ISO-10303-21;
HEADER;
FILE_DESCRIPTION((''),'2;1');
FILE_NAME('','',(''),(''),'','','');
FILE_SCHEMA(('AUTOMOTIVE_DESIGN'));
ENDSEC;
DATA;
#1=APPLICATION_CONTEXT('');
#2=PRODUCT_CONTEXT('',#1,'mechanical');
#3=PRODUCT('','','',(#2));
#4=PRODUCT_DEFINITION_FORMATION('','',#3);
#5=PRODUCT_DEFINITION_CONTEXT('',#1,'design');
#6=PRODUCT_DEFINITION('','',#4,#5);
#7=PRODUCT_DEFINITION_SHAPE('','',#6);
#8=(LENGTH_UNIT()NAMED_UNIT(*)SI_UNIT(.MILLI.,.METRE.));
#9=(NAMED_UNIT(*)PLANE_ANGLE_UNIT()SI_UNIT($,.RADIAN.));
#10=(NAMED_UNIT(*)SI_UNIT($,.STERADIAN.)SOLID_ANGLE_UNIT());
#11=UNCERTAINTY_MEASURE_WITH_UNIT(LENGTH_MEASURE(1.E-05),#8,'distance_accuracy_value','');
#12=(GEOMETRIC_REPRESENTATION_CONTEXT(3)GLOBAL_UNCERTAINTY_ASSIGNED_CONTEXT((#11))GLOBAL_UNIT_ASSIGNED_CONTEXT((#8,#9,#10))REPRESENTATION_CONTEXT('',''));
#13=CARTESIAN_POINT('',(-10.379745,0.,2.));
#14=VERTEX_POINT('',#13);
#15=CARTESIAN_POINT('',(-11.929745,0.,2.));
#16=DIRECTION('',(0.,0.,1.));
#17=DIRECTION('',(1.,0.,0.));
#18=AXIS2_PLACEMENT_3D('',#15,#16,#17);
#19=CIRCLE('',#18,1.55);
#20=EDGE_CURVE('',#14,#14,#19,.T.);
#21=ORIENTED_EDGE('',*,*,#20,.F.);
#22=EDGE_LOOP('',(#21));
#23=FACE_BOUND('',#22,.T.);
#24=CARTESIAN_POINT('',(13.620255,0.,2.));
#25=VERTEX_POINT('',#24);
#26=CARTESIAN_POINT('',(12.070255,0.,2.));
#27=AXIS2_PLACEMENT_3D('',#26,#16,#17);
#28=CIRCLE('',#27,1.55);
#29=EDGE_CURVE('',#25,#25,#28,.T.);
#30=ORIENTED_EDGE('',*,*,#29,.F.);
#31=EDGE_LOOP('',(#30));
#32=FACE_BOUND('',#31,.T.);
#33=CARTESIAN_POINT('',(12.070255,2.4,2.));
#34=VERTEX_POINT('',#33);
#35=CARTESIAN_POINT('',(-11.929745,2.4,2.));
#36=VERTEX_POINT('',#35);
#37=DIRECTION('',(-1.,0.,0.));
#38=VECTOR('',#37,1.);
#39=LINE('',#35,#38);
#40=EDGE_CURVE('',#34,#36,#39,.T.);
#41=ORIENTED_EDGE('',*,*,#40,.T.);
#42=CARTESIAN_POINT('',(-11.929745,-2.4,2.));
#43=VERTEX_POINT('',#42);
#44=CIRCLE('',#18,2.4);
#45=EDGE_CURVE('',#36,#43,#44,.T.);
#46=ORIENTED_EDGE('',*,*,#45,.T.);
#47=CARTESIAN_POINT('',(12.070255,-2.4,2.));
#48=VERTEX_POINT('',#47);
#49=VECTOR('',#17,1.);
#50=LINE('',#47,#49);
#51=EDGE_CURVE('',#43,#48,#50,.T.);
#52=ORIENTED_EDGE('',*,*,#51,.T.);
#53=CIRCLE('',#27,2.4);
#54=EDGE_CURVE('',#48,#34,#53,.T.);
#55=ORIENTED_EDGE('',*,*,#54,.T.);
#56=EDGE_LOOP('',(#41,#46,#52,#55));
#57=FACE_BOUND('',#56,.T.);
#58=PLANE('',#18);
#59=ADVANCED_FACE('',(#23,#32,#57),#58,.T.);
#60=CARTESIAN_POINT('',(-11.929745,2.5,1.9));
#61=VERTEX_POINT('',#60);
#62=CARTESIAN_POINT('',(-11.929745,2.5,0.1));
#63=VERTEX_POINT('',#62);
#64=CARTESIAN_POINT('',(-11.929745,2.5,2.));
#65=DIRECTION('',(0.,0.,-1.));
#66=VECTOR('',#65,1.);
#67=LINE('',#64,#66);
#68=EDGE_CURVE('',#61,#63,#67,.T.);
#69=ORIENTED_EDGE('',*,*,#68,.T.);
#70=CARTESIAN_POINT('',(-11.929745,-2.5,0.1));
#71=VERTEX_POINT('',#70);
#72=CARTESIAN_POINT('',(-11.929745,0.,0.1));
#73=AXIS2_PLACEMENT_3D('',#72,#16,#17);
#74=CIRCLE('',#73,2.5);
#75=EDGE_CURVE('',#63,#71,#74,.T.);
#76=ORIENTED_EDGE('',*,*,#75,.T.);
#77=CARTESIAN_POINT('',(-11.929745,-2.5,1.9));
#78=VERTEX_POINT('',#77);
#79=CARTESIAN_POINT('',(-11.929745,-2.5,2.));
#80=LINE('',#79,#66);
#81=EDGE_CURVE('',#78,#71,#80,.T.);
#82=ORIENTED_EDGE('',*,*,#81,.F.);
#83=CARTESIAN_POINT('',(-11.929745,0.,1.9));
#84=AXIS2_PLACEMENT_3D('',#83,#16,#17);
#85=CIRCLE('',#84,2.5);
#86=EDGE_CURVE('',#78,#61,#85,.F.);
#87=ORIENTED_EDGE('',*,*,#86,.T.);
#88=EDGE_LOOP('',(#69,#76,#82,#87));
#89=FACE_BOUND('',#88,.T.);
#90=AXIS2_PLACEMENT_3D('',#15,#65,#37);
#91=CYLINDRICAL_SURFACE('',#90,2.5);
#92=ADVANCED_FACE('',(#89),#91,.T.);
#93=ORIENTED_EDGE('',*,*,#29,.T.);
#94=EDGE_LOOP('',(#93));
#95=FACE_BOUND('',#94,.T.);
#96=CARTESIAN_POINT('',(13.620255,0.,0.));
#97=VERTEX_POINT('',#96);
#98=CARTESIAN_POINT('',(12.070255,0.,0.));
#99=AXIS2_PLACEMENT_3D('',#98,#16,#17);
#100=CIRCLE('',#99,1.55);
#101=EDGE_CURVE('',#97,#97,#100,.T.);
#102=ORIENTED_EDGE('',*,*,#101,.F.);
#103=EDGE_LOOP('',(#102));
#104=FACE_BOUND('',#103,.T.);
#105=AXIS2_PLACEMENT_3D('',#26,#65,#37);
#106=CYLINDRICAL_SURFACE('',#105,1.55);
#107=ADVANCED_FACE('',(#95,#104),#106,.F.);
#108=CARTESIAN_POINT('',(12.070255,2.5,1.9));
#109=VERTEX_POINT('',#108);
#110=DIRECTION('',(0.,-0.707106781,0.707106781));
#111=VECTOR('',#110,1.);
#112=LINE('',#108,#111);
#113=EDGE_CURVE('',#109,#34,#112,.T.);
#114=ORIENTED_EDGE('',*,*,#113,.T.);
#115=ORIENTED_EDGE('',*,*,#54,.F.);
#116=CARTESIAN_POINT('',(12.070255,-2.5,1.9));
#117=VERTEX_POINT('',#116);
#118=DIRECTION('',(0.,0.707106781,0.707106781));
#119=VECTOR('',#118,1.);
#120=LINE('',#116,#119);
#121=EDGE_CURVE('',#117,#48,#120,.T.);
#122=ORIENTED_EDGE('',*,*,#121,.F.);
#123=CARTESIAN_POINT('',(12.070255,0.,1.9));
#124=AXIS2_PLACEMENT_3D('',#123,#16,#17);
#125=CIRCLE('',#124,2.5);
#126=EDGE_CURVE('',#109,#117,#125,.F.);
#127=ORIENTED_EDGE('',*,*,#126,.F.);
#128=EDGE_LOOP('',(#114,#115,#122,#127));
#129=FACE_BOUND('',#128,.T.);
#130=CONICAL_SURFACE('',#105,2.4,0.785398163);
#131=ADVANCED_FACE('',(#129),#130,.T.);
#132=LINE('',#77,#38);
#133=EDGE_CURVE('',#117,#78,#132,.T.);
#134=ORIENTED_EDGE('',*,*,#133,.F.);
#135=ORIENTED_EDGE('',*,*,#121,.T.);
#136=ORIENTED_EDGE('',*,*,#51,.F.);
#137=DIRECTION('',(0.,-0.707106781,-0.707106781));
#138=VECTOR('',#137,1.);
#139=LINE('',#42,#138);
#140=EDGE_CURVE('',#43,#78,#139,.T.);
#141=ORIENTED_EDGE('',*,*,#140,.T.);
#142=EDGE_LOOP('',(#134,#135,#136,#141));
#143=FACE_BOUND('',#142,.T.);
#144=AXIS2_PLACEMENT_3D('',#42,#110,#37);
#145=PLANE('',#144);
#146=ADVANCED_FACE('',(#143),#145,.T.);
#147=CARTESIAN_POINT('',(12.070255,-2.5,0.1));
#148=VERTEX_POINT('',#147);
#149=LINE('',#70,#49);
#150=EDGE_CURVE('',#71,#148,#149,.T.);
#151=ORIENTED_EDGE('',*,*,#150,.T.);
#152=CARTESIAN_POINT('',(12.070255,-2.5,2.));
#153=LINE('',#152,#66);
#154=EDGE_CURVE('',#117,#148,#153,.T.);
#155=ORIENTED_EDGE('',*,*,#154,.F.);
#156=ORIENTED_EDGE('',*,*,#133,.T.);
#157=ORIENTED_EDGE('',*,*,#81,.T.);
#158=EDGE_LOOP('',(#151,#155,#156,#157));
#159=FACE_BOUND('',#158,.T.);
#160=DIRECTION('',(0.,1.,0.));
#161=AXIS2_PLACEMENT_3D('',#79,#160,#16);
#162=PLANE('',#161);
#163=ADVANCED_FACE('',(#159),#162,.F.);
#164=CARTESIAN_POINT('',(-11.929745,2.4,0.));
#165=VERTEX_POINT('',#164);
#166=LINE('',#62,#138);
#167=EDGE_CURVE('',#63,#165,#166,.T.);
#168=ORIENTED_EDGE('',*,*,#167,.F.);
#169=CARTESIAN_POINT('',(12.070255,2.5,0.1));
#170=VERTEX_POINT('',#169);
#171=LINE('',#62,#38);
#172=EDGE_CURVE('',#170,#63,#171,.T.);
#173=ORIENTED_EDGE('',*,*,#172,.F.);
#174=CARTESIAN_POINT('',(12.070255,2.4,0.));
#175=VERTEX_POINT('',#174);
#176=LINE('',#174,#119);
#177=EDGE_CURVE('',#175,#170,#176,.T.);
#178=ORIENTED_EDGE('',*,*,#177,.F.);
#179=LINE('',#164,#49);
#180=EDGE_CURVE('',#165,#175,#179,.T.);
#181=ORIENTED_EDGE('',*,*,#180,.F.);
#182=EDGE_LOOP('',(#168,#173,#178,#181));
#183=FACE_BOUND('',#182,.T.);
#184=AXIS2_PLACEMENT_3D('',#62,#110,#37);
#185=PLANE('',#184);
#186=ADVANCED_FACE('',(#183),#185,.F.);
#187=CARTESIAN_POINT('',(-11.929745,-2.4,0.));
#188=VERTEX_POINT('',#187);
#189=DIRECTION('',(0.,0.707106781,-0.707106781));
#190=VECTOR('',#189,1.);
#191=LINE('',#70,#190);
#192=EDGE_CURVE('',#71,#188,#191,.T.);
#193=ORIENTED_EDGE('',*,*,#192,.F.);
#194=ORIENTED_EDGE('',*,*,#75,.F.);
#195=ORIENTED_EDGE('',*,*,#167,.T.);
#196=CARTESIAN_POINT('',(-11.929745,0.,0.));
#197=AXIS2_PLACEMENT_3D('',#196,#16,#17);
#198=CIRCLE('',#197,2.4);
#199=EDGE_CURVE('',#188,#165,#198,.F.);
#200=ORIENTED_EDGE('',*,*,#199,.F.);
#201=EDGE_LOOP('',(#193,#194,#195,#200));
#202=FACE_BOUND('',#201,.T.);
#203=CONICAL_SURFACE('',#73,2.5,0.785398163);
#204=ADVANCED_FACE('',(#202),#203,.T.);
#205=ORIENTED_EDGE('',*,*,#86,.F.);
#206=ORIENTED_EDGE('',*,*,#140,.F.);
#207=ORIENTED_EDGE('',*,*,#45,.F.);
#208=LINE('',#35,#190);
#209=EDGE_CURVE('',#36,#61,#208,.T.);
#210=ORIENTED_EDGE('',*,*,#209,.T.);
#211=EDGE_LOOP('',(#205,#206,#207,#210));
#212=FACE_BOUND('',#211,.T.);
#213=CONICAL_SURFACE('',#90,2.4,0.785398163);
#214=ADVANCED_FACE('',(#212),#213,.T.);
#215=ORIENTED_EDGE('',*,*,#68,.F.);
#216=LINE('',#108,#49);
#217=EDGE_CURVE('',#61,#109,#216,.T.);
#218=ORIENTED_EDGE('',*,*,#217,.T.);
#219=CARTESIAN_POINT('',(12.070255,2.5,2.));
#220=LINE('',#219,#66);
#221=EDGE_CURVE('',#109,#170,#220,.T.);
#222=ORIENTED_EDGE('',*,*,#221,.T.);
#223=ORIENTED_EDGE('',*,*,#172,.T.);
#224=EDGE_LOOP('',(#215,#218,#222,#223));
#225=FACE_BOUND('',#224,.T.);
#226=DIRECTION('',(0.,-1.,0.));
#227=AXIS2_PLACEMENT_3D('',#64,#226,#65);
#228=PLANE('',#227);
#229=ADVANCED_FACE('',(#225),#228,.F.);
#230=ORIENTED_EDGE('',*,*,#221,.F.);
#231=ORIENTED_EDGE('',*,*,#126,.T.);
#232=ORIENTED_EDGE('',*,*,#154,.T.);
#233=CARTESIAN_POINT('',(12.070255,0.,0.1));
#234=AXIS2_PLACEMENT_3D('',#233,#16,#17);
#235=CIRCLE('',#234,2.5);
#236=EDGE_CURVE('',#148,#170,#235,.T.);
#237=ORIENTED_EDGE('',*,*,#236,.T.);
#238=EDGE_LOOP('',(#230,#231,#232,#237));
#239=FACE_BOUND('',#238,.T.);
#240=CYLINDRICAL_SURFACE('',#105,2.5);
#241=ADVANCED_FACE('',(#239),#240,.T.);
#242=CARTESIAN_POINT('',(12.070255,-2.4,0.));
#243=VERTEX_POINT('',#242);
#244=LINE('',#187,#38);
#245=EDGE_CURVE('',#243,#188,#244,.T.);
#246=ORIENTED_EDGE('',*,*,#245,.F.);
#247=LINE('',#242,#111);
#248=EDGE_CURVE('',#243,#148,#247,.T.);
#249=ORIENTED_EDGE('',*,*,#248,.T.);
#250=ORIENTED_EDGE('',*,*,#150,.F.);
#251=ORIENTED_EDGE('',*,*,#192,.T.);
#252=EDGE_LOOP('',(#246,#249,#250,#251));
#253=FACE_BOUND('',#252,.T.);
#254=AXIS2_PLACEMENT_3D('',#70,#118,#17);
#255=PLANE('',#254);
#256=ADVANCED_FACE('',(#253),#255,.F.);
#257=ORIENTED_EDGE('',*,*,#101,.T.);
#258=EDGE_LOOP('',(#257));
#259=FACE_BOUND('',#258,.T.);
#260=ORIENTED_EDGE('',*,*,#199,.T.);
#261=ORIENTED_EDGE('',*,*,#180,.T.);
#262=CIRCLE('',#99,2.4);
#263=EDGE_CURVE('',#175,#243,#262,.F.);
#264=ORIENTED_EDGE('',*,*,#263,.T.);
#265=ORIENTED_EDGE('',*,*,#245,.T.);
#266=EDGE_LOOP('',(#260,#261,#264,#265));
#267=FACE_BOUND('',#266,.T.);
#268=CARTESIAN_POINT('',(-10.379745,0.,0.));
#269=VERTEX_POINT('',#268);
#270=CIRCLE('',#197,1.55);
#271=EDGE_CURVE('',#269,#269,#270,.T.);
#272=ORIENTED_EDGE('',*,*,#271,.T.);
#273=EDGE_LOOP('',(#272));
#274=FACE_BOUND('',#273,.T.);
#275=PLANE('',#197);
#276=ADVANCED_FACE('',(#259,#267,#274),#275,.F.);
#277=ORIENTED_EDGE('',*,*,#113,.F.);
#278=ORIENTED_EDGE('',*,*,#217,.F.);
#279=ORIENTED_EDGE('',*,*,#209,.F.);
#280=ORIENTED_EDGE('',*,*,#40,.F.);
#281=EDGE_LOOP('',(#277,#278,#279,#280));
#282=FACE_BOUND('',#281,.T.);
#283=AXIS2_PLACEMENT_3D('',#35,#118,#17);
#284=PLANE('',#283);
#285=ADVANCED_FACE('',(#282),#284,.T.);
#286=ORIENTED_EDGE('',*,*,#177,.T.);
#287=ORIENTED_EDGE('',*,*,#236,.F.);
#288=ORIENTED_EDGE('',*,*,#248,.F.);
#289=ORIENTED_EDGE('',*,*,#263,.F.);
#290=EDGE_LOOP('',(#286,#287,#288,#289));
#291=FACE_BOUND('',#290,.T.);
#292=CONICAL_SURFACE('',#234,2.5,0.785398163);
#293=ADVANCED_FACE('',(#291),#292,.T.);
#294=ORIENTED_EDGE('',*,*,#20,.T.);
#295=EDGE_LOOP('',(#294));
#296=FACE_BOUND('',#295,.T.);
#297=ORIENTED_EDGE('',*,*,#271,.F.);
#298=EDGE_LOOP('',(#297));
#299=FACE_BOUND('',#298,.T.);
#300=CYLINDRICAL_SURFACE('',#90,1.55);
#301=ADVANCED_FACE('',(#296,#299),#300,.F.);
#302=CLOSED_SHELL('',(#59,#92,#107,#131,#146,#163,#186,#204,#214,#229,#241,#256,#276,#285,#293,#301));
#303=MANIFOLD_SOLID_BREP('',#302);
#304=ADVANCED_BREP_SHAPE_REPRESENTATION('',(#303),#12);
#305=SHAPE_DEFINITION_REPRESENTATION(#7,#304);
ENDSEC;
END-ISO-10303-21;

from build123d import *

# Parameters (mm, degrees)
SKETCH1_R           = 1.55
BOSS_EXTRUDE1_DEPTH = 2
CHAMFER1_SIZE       = 0.1


with BuildPart() as part:
    # Sketch1 → Boss-Extrude1 (new body)
    with BuildSketch(Plane.XY):
        with BuildLine():
            Line((-11.929744939, 2.5), (12.070255061, 2.5))
            ThreePointArc((12.070255061, 2.5), (14.570255061, 0), (12.070255061, -2.5))
            Line((12.070255061, -2.5), (-11.929744939, -2.5))
            ThreePointArc((-11.929744939, -2.5), (-14.429744939, 0), (-11.929744939, 2.5))
        make_face()
        with Locations((12.070255061, 0)):
            Circle(SKETCH1_R, mode=Mode.SUBTRACT)
        with Locations((-11.929744939, 0)):
            Circle(SKETCH1_R, mode=Mode.SUBTRACT)
    extrude(amount=BOSS_EXTRUDE1_DEPTH)

    # Chamfer1
    chamfer1_edges = [part.edges().sort_by_distance(p)[0] for p in [
        (14.570255061, 0, 2),
        (0.070255061, 2.5, 2),
        (-14.429744939, 0, 2),
        (0.070255061, 2.5, 0),
        (14.570255061, 0, 0),
        (0.070255061, -2.5, 0),
        (-14.429744939, 0, 0),
        (0.070255061, -2.5, 2),
    ]]
    chamfer(chamfer1_edges, length=CHAMFER1_SIZE)


solid = part.part
